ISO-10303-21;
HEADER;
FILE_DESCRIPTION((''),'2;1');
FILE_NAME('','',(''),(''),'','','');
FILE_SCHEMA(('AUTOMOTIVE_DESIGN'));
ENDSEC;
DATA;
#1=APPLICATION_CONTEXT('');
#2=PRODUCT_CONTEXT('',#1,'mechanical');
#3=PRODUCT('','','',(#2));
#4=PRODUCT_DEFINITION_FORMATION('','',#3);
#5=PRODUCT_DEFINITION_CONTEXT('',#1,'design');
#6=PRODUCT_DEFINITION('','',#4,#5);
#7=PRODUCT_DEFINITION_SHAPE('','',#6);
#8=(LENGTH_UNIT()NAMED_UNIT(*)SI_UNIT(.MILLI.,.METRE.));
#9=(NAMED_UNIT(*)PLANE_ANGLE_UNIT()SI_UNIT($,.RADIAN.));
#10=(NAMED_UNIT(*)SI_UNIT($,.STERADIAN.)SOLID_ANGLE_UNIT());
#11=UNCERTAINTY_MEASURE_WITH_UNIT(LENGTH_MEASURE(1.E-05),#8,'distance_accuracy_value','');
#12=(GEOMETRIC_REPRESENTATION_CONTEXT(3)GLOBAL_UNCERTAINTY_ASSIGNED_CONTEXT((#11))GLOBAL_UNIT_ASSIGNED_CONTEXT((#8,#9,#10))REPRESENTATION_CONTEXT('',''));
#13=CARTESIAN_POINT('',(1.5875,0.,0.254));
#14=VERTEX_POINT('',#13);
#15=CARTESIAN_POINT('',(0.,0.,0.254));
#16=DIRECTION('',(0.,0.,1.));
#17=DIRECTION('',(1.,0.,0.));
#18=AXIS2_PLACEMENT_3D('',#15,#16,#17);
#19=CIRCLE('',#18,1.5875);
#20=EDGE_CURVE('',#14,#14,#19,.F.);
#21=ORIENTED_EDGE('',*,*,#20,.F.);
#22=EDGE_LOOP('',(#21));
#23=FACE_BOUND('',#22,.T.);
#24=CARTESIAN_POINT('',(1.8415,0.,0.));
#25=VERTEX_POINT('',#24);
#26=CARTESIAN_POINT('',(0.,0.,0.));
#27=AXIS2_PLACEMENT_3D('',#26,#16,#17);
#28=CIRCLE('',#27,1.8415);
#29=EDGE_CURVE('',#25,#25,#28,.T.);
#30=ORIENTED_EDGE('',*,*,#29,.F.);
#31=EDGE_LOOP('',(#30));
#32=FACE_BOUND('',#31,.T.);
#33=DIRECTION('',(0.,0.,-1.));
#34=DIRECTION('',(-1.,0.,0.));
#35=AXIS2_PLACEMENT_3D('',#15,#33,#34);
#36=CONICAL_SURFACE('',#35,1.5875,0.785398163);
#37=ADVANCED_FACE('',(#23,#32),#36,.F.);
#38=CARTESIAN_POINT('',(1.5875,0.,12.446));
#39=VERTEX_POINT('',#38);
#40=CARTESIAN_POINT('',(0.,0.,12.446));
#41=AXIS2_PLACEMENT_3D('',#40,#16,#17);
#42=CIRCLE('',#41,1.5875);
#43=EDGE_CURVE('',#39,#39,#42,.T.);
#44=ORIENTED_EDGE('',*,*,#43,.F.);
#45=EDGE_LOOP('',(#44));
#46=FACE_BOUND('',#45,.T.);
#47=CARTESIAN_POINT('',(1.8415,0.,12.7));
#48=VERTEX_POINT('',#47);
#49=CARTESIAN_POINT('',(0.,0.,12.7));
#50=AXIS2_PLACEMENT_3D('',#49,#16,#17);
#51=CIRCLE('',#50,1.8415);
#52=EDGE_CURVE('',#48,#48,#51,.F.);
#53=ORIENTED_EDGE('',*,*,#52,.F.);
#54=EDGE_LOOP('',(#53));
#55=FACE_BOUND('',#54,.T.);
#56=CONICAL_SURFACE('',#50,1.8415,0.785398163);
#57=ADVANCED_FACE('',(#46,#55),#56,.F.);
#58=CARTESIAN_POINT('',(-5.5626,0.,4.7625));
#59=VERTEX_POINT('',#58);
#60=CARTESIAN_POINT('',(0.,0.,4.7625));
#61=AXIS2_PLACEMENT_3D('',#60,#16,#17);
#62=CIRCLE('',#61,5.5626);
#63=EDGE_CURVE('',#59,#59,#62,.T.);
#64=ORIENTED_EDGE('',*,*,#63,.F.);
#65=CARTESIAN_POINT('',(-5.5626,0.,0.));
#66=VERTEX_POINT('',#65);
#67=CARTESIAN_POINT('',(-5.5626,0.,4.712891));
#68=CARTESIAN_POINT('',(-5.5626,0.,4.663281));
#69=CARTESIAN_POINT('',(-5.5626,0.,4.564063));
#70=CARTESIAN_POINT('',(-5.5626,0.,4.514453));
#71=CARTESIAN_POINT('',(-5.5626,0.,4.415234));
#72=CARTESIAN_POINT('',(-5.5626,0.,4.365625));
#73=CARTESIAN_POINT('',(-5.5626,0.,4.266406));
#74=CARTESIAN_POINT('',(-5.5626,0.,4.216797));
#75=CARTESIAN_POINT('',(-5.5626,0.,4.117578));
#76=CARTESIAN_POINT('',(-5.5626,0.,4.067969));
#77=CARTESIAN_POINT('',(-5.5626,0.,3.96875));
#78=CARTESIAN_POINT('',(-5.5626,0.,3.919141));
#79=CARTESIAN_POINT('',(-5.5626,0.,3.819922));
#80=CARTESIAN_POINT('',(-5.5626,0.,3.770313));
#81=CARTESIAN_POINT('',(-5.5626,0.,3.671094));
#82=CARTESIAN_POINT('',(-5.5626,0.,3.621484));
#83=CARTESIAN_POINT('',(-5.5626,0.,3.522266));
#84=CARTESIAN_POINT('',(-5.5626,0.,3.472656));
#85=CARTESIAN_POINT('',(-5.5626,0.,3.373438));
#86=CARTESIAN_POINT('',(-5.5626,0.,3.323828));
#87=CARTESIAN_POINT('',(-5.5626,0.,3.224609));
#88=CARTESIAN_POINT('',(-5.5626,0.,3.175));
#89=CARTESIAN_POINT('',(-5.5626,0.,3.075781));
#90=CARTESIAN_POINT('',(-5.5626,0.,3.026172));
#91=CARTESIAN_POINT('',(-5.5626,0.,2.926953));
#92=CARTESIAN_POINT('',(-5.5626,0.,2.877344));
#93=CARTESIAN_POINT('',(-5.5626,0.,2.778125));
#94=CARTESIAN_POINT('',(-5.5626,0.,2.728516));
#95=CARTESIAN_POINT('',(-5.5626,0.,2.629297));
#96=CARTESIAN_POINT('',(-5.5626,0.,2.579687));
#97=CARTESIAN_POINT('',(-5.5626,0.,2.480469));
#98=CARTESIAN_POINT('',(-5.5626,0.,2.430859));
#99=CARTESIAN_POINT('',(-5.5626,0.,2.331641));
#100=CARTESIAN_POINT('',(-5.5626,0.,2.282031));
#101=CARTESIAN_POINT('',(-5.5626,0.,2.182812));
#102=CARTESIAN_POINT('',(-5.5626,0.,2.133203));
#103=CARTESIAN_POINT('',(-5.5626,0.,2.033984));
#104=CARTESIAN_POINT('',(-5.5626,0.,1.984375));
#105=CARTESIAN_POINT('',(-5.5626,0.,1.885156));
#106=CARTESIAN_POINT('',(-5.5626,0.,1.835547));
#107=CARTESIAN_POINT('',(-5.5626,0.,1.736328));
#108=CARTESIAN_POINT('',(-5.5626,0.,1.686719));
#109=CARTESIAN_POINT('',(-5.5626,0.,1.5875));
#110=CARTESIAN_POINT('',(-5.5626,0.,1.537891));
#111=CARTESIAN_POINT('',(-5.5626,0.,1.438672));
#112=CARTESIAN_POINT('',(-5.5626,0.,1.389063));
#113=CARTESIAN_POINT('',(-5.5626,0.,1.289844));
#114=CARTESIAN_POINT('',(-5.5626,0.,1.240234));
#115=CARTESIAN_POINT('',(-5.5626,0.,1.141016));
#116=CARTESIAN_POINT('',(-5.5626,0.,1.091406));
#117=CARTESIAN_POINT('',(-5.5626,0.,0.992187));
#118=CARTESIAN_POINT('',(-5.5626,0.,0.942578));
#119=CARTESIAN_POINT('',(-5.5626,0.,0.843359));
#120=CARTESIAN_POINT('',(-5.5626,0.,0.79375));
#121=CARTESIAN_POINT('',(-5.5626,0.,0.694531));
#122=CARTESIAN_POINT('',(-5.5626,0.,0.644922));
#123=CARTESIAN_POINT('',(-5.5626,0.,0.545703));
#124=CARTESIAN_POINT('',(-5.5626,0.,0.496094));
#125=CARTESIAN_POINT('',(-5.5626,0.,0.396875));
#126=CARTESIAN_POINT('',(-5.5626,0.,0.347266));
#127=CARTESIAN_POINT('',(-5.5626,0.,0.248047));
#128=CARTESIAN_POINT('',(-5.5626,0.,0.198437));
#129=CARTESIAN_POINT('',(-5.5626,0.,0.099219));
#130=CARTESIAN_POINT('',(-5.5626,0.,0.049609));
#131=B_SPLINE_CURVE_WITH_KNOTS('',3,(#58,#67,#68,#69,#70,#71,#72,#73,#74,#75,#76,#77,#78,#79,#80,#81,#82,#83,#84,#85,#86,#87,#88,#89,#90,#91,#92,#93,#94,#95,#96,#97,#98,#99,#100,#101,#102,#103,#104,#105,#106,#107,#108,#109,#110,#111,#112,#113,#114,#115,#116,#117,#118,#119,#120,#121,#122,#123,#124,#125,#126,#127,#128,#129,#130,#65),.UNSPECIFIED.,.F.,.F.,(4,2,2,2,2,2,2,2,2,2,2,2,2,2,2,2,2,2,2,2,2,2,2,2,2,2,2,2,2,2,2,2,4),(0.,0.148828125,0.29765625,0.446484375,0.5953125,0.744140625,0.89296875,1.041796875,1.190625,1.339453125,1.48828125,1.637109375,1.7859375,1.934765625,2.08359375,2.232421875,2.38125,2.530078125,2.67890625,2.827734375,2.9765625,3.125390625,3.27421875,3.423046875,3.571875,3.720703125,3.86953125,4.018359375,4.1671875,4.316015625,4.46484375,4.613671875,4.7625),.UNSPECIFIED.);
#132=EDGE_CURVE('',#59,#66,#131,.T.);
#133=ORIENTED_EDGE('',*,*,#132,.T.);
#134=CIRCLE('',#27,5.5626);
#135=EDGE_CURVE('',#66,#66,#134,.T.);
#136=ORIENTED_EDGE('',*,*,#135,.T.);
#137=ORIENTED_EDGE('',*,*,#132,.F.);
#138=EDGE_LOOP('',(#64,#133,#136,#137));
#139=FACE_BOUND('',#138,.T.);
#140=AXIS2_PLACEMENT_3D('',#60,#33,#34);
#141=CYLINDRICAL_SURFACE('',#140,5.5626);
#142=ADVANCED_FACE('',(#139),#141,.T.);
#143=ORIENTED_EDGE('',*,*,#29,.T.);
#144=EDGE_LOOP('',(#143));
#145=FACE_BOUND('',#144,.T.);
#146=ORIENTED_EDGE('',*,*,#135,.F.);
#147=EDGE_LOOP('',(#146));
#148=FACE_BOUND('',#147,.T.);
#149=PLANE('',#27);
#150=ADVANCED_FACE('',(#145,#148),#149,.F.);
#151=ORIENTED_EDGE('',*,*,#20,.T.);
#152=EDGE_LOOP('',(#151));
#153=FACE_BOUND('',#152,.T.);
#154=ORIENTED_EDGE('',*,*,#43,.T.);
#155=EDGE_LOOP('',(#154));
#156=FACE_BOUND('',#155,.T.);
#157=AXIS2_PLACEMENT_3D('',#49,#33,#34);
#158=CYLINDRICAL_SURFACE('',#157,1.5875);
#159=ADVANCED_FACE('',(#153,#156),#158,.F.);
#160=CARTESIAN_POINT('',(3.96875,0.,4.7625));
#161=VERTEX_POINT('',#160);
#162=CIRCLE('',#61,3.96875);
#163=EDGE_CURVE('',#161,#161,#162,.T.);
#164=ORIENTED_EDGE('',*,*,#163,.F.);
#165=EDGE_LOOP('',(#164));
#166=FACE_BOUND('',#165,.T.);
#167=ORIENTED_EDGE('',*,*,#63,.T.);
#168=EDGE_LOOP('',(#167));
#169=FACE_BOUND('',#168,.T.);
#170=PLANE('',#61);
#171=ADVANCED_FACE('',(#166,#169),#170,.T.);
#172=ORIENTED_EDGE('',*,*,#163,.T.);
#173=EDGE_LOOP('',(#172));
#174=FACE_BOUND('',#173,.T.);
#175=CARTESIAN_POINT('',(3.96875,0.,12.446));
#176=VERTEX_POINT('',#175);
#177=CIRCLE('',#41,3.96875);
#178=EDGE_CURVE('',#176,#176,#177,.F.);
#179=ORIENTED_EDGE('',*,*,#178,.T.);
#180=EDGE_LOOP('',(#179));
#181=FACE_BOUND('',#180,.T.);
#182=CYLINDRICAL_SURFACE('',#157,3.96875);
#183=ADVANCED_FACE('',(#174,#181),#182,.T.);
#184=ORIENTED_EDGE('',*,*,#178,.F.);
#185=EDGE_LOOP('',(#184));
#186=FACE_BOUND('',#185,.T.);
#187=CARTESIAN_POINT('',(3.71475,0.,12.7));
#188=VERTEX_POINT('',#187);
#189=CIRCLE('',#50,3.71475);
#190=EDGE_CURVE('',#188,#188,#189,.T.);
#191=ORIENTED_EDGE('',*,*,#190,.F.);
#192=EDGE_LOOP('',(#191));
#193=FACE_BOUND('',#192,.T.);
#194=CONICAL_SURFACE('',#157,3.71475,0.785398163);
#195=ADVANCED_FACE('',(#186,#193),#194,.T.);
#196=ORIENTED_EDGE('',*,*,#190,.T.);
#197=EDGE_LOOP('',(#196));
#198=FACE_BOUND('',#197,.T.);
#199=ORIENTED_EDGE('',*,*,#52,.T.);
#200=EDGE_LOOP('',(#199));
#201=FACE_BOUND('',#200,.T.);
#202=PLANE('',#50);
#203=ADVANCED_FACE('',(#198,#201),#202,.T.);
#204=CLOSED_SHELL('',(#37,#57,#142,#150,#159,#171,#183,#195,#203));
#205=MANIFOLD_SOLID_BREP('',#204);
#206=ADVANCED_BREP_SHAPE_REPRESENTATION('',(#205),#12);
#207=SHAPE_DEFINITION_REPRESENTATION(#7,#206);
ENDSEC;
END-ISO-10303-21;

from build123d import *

# Parameters (mm, degrees)
SKETCH1_R           = 5.5626
BOSS_EXTRUDE1_DEPTH = 4.7625
SKETCH2_R           = 3.96875
BOSS_EXTRUDE2_DEPTH = 7.9375
SKETCH3_R           = 1.5875
CUT_EXTRUDE1_DEPTH  = 15.939044063
CHAMFER1_SIZE       = 0.254


with BuildPart() as part:
    # Sketch1 → Boss-Extrude1 (new body)
    with BuildSketch(Plane.XY):
        with Locations(Location((0, 0, 0), (0, 0, 180))):
            Circle(SKETCH1_R)
    extrude(amount=BOSS_EXTRUDE1_DEPTH)

    # Sketch2 → Boss-Extrude2 (add)
    with BuildSketch(Plane.XY.offset(4.7625)):
        Circle(SKETCH2_R)
    extrude(amount=BOSS_EXTRUDE2_DEPTH)

    # Sketch3 → Cut-Extrude1 (cut, through all)
    with BuildSketch(Plane(origin=(0, 0, 0), x_dir=(-1, 0, 0), z_dir=(0, 0, -1))):
        Circle(SKETCH3_R)
    extrude(amount=-CUT_EXTRUDE1_DEPTH, mode=Mode.SUBTRACT)

    # Chamfer1
    chamfer1_edges = [part.edges().sort_by_distance(p)[0] for p in [
        (1.5875, 0, 12.7),
        (1.5875, 0, 0),
        (-3.96875, 0, 12.7),
    ]]
    chamfer(chamfer1_edges, length=CHAMFER1_SIZE)


solid = part.part
